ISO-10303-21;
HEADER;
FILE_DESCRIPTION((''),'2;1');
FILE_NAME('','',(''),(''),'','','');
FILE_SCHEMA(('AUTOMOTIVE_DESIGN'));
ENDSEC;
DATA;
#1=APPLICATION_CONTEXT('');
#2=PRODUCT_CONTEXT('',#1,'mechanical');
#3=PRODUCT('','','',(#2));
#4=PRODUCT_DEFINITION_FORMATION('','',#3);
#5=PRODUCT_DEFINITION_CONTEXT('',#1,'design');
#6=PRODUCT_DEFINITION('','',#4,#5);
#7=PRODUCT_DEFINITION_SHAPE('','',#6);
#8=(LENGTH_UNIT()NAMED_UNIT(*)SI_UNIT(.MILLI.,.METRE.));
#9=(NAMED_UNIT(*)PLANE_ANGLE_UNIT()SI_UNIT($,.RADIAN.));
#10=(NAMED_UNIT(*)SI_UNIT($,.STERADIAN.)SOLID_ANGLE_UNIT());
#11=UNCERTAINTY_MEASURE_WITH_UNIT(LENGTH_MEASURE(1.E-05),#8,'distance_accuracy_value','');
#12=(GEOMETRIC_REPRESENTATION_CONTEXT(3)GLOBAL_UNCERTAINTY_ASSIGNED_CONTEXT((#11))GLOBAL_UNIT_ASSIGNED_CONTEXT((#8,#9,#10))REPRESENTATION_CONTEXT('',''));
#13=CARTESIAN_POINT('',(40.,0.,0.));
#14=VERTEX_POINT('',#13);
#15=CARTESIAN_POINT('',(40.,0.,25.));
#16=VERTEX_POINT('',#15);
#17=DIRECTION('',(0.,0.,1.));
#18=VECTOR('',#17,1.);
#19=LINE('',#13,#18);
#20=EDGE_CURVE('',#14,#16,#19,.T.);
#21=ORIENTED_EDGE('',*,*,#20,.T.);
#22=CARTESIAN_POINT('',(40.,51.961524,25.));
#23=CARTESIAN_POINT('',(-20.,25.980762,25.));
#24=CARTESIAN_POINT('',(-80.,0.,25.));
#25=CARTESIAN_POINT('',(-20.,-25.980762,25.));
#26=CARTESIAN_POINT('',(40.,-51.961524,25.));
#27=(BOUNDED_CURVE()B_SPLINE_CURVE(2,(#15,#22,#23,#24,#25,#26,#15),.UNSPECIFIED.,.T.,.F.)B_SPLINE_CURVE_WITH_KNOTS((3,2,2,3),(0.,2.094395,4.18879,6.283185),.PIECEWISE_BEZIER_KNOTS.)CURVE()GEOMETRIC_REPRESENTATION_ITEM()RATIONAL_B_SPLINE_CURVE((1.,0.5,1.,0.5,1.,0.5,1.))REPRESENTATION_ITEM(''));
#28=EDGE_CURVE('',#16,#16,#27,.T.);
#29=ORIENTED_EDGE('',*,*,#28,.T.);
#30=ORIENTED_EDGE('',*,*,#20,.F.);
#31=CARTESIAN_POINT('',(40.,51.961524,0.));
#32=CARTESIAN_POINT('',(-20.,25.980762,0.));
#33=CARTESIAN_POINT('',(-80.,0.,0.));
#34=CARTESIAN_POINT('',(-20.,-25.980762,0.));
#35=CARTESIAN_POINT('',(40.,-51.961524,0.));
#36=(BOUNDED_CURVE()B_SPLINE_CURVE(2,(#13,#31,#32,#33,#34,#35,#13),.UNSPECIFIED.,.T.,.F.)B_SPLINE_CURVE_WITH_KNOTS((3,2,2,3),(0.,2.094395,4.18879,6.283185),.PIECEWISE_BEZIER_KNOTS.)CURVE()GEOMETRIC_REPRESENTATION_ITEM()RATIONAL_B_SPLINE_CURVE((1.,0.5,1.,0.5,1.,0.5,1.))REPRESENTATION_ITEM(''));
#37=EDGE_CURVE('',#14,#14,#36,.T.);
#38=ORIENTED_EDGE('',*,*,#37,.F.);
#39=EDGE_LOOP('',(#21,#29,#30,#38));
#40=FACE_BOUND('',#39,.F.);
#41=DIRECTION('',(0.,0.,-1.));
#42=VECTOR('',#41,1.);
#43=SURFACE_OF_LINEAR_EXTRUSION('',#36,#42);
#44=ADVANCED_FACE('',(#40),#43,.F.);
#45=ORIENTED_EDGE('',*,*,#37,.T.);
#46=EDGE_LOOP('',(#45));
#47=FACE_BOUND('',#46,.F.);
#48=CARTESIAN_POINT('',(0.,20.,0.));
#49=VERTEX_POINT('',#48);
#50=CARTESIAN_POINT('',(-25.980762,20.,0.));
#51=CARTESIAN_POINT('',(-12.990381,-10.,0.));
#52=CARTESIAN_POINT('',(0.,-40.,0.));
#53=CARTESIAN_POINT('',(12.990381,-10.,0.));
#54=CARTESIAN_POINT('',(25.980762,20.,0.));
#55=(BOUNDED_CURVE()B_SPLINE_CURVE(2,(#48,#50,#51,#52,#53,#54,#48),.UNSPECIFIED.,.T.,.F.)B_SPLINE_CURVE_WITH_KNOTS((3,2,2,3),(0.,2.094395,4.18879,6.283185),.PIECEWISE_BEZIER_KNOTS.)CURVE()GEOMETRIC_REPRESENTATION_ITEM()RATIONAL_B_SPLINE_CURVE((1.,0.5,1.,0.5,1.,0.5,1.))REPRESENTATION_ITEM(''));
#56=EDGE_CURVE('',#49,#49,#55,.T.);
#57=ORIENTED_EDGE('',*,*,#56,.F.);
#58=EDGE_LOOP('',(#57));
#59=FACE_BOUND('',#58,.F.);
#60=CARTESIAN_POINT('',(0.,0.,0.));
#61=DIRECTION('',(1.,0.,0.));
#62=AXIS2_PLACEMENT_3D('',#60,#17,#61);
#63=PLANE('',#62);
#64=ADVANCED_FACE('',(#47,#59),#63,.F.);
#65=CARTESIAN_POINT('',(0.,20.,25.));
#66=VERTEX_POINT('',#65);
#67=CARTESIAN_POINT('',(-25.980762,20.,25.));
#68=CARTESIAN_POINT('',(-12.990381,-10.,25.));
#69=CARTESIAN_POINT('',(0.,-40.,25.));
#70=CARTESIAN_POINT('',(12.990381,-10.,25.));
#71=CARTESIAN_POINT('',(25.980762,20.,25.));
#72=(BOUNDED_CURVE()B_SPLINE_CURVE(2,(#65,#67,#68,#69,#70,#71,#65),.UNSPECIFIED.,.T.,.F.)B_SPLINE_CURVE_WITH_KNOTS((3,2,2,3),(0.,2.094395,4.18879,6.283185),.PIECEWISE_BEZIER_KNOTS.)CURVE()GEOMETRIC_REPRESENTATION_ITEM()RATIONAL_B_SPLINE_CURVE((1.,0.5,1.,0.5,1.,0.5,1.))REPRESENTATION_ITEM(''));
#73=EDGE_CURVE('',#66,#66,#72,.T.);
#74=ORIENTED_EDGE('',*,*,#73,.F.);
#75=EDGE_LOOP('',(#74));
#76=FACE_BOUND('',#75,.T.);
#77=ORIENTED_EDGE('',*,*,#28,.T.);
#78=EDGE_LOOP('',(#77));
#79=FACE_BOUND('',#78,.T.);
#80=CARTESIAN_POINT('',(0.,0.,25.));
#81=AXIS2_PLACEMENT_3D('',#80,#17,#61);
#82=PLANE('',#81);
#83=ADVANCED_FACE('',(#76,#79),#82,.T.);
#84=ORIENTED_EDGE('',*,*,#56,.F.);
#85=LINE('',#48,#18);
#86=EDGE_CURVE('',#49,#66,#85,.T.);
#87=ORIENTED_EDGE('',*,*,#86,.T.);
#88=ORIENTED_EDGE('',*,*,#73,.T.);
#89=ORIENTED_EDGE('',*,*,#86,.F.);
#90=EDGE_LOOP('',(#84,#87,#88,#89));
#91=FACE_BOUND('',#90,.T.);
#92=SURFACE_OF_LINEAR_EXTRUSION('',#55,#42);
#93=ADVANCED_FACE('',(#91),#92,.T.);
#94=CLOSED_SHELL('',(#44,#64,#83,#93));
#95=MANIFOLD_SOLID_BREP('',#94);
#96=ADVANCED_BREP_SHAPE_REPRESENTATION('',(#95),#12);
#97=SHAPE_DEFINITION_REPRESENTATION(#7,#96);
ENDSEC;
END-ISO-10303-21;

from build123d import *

# Parameters (mm, degrees)
F1_DEPTH = 25


with BuildPart() as f1:
    # F0 (on Top) → F1 (new body)
    with BuildSketch(Plane.XY):
        with BuildLine():
            add(Edge.make_bspline(
                [(40, 0), (40, 51.961524), (-20, 25.980762), (-80, 0), (-20, -25.980762), (40, -51.961524), (40, 0)],
                knots=[0, 0, 0, 2.094395, 2.094395, 4.18879, 4.18879, 6.283185, 6.283185, 6.283185], degree=2, weights=[1, 0.5, 1, 0.5, 1, 0.5, 1]))
        make_face()
        with BuildLine():
            add(Edge.make_bspline(
                [(0, 20), (-25.980762, 20), (-12.990381, -10), (0, -40), (12.990381, -10), (25.980762, 20), (0, 20)],
                knots=[0, 0, 0, 2.094395, 2.094395, 4.18879, 4.18879, 6.283185, 6.283185, 6.283185], degree=2, weights=[1, 0.5, 1, 0.5, 1, 0.5, 1]))
        make_face(mode=Mode.SUBTRACT)
    extrude(amount=F1_DEPTH)


solid = f1.part
